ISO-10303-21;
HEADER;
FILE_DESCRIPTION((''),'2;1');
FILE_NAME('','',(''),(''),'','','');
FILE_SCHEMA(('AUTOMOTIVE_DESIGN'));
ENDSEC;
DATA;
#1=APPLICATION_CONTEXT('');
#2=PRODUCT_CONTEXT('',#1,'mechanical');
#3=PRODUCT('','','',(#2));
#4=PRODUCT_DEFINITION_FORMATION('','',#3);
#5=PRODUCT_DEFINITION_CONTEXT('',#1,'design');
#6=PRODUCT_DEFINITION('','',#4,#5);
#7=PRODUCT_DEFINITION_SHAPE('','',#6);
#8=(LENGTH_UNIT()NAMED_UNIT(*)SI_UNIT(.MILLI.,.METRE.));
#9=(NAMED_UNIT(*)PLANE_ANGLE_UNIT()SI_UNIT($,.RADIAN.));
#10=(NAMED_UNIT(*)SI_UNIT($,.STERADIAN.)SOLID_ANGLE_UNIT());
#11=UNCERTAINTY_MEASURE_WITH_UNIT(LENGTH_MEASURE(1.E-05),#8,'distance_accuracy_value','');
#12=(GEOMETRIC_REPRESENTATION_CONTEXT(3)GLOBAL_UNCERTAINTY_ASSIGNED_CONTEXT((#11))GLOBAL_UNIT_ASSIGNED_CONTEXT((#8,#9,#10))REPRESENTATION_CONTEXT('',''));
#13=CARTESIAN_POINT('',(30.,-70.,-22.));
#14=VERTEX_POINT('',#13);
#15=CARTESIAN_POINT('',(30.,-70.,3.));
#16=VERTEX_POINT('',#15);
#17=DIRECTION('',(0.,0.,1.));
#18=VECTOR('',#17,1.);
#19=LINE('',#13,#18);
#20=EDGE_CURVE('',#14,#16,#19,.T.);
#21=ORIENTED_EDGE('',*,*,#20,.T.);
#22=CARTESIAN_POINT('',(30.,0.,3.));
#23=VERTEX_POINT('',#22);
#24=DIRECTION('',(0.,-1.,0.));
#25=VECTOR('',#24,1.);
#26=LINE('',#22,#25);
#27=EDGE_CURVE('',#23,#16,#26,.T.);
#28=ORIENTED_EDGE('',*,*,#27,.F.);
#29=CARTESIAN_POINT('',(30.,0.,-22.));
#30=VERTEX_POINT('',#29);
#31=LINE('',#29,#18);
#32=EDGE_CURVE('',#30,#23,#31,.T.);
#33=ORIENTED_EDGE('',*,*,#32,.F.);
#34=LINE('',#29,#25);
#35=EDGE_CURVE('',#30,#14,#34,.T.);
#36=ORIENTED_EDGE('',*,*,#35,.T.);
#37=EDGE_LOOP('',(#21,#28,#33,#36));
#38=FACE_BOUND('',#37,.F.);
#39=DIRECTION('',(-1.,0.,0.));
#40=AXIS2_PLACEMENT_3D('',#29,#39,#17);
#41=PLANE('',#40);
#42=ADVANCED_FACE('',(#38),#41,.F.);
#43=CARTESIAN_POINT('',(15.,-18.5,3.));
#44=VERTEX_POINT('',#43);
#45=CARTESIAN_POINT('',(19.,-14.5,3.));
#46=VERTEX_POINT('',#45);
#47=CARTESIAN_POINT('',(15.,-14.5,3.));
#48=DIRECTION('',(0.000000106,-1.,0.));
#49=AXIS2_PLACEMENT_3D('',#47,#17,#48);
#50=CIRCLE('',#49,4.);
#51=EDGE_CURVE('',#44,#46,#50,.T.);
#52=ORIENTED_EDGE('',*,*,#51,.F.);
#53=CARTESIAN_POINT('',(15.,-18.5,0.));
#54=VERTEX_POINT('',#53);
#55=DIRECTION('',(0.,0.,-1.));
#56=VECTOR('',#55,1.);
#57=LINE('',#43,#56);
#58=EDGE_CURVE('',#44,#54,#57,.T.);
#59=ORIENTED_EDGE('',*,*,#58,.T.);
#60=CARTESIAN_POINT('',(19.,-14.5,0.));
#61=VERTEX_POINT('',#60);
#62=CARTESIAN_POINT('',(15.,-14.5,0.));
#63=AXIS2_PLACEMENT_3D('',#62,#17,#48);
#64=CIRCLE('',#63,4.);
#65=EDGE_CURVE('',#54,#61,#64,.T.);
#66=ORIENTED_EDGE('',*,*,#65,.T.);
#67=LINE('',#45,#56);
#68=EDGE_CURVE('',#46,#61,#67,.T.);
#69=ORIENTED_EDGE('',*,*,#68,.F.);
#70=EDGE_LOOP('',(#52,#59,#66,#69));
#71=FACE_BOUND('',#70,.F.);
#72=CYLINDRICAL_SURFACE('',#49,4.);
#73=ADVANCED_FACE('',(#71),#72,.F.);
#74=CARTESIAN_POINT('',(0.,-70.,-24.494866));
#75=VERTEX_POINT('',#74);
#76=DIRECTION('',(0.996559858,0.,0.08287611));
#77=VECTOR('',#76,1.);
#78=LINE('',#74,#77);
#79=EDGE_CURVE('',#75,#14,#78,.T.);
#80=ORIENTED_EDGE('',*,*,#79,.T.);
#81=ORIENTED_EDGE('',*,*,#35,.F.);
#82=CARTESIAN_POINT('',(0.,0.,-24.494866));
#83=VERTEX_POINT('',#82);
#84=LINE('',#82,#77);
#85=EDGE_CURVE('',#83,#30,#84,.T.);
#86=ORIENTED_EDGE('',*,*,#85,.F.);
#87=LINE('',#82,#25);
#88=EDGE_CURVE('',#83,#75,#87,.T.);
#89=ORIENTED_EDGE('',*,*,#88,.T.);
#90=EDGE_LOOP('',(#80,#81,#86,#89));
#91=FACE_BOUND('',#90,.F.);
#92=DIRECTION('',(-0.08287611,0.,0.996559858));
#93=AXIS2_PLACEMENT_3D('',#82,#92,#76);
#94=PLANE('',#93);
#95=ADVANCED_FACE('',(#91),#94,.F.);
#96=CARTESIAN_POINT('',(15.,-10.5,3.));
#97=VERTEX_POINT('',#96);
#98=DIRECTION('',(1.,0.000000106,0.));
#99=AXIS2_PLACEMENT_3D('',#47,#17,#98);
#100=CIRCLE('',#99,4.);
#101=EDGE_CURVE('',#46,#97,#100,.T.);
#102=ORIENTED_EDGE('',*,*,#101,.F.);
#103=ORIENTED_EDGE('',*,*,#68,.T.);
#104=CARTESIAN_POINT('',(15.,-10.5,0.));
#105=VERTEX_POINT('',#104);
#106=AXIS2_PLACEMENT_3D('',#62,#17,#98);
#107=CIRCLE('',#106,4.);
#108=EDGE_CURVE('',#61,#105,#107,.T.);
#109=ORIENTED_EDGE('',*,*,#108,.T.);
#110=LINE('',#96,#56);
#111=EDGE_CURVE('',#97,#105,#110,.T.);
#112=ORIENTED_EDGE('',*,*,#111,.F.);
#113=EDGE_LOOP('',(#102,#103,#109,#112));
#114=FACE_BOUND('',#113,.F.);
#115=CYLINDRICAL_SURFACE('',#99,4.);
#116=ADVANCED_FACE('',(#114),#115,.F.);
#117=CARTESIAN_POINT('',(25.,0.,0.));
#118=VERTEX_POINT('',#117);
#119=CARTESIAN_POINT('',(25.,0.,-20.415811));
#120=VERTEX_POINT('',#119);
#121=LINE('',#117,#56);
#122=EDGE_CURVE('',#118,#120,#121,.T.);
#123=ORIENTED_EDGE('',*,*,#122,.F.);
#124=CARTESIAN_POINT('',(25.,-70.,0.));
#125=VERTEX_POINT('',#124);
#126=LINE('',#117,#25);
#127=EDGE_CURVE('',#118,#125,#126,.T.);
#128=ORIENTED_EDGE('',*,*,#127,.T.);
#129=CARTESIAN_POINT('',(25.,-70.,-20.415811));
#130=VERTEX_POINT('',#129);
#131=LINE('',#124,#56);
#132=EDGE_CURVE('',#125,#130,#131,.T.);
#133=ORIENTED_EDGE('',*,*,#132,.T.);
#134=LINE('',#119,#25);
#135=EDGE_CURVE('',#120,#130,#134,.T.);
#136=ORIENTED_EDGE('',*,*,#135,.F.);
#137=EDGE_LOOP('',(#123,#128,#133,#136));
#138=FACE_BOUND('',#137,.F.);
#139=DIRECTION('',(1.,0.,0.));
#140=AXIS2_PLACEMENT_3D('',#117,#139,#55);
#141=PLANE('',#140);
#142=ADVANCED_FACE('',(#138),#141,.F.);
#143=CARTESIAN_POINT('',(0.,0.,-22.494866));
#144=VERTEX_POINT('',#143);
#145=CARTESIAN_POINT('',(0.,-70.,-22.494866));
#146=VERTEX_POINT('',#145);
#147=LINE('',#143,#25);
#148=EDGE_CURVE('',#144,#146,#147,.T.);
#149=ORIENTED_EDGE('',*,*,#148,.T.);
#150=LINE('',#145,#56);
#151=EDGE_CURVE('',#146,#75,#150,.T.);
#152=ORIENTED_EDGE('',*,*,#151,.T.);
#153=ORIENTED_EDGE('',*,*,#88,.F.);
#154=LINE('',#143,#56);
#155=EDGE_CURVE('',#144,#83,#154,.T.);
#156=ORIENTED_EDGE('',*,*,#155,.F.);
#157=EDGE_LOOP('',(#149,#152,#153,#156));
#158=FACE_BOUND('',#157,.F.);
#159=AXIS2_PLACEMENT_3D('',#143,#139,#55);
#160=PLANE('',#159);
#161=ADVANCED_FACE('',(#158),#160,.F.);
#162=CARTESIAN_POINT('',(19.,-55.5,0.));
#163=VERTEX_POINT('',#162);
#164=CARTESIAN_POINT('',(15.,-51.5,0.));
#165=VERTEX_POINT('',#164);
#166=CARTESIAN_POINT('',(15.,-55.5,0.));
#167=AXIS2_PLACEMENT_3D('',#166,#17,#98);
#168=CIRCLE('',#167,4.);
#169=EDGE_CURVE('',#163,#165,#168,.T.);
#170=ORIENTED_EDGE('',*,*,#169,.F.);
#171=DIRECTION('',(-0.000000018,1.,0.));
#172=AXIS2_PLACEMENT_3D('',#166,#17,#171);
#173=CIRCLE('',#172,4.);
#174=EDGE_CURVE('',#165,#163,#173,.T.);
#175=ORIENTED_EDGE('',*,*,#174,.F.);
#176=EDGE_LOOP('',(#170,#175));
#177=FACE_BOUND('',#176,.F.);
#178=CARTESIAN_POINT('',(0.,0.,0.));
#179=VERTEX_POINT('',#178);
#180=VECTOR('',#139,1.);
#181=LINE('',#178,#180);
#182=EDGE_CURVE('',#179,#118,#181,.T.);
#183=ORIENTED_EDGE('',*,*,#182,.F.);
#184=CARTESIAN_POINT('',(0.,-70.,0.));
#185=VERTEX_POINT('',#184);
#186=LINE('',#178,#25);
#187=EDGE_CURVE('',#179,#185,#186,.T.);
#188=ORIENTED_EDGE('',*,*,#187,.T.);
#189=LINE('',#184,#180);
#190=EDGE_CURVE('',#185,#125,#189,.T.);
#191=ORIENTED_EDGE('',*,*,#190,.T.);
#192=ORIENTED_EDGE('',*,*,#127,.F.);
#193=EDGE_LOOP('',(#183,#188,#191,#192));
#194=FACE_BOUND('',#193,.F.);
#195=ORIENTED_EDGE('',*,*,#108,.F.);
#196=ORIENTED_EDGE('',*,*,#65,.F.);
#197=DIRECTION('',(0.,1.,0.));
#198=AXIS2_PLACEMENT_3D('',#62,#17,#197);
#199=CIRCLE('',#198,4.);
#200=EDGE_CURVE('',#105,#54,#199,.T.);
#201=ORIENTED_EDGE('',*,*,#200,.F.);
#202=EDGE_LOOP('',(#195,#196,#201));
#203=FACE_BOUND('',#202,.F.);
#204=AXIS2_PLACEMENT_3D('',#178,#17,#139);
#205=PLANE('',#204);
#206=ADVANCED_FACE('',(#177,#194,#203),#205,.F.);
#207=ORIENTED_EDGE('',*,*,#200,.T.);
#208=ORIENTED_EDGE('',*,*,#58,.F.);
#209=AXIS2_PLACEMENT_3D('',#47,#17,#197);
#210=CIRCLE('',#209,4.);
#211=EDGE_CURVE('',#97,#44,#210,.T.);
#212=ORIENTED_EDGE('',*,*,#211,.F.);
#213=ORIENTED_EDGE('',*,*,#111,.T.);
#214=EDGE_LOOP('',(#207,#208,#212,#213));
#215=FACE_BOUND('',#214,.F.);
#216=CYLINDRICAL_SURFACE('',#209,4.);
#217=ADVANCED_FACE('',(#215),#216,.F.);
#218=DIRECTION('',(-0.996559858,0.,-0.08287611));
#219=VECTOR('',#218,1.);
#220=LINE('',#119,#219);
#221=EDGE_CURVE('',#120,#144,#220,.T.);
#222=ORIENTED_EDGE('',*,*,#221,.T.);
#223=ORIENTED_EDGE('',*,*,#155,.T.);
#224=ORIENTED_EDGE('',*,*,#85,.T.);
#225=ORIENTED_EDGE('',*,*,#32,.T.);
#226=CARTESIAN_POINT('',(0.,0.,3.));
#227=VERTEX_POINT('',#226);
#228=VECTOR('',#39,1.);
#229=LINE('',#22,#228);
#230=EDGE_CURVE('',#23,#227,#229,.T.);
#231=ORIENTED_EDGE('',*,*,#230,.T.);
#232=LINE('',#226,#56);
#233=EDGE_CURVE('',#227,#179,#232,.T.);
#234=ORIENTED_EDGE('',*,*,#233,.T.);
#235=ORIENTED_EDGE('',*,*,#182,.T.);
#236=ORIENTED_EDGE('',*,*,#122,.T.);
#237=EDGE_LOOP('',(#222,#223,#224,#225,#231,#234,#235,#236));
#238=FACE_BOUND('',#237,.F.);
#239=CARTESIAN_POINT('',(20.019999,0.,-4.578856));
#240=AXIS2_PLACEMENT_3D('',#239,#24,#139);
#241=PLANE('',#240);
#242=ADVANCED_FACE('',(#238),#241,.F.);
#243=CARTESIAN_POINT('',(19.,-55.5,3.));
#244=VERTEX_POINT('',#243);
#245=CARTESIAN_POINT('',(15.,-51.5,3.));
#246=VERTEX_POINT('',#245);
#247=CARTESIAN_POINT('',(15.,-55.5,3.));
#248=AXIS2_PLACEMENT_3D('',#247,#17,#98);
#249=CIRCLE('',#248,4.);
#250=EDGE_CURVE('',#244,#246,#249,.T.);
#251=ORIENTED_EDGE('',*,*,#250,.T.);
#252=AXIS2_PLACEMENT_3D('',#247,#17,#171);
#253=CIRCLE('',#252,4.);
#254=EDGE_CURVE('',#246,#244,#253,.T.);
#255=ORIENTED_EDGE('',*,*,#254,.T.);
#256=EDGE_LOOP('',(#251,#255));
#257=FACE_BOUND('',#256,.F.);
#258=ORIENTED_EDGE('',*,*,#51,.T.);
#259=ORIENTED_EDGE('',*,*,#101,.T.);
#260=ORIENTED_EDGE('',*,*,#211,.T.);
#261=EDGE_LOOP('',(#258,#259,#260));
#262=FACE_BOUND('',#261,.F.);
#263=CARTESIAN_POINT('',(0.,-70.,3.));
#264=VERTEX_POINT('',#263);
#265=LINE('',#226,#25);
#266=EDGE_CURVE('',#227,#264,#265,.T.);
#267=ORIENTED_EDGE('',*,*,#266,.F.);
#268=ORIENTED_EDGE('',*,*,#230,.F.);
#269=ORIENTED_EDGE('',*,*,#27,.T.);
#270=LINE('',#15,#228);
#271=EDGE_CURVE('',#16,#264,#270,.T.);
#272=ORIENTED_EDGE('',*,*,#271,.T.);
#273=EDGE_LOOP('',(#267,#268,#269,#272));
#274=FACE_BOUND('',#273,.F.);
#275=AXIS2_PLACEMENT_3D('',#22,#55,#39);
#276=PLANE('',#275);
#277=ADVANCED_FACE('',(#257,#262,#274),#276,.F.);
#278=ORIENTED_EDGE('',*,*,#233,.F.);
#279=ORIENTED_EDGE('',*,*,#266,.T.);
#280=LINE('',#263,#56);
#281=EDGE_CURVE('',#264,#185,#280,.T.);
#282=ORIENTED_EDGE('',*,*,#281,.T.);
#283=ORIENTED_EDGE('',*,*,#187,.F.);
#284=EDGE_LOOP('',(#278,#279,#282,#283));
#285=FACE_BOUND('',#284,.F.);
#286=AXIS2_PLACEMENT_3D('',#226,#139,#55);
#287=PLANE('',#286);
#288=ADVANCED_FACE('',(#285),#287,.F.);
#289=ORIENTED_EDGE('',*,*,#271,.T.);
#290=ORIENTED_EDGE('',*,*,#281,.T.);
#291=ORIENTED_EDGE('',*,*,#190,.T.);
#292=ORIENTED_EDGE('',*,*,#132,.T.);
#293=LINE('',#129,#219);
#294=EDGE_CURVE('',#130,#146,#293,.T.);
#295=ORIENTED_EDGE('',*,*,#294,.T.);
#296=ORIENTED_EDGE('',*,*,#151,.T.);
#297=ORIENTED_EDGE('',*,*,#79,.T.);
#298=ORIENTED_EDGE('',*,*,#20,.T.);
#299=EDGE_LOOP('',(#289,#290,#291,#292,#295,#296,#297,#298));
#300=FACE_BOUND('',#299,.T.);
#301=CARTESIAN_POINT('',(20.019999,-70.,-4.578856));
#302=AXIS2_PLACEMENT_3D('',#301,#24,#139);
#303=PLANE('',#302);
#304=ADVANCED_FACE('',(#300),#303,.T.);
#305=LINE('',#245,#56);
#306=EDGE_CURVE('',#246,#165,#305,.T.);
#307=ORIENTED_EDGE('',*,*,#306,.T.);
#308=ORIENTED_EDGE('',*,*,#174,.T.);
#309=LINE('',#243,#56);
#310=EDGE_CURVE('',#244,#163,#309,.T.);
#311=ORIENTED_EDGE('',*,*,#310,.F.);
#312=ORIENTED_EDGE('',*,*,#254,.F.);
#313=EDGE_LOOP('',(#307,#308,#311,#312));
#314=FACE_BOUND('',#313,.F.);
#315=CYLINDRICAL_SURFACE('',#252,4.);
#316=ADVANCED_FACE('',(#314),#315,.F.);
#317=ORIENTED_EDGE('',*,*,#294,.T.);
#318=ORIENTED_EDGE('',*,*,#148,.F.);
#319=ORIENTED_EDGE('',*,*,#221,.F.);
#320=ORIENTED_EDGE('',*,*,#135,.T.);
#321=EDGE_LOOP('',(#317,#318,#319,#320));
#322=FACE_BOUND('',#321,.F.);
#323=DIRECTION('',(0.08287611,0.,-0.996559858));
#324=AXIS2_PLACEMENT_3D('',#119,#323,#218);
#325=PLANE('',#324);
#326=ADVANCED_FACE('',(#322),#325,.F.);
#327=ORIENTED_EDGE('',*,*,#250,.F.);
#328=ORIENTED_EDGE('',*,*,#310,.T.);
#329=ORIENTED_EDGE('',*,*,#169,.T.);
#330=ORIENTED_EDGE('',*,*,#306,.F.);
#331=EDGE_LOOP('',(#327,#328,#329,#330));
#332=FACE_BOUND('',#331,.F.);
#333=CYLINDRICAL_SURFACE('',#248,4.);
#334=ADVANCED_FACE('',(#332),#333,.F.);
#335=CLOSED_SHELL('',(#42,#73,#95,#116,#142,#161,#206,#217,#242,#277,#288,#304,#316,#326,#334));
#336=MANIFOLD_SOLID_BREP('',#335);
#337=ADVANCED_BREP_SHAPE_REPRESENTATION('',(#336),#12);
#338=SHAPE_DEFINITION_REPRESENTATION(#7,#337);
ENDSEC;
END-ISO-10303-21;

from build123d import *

# Parameters (mm, degrees)
F1_DEPTH = 70
F3_DEPTH = 5


with BuildPart() as f1:
    # F0 (on Front) → F1 (new body)
    with BuildSketch(Plane.XZ):
        Polygon((0, 3), (0, 0), (25, 0), (25, -20.415811), (25, -22.415811), (30, -22), (30, 3), align=None)
        Polygon((25, -22.415811), (25, -20.415811), (0, -22.494866), (0, -24.494866), align=None)
    extrude(amount=F1_DEPTH)

    # F2 (on face) → F3 (cut)
    with BuildSketch(Plane.XY.offset(3)):
        with BuildLine():
            ThreePointArc((19, -14.5), (17.828427, -11.671573), (15, -10.5))
            Line((15, -10.5), (15, -14.5))
            Line((15, -14.5), (15, -18.5))
            ThreePointArc((15, -18.5), (17.828427, -17.328427), (19, -14.5))
        make_face()
        with BuildLine():
            ThreePointArc((19, -55.5), (17.828427, -52.671573), (15, -51.5))
            ThreePointArc((15, -51.5), (12.171573, -58.328427), (19, -55.5))
        make_face()
        with BuildLine():
            Line((15, -14.5), (15, -10.5))
            ThreePointArc((15, -10.5), (11, -14.5), (15, -18.5))
            Line((15, -18.5), (15, -14.5))
        make_face()
    extrude(amount=-F3_DEPTH, mode=Mode.SUBTRACT)


solid = f1.part
